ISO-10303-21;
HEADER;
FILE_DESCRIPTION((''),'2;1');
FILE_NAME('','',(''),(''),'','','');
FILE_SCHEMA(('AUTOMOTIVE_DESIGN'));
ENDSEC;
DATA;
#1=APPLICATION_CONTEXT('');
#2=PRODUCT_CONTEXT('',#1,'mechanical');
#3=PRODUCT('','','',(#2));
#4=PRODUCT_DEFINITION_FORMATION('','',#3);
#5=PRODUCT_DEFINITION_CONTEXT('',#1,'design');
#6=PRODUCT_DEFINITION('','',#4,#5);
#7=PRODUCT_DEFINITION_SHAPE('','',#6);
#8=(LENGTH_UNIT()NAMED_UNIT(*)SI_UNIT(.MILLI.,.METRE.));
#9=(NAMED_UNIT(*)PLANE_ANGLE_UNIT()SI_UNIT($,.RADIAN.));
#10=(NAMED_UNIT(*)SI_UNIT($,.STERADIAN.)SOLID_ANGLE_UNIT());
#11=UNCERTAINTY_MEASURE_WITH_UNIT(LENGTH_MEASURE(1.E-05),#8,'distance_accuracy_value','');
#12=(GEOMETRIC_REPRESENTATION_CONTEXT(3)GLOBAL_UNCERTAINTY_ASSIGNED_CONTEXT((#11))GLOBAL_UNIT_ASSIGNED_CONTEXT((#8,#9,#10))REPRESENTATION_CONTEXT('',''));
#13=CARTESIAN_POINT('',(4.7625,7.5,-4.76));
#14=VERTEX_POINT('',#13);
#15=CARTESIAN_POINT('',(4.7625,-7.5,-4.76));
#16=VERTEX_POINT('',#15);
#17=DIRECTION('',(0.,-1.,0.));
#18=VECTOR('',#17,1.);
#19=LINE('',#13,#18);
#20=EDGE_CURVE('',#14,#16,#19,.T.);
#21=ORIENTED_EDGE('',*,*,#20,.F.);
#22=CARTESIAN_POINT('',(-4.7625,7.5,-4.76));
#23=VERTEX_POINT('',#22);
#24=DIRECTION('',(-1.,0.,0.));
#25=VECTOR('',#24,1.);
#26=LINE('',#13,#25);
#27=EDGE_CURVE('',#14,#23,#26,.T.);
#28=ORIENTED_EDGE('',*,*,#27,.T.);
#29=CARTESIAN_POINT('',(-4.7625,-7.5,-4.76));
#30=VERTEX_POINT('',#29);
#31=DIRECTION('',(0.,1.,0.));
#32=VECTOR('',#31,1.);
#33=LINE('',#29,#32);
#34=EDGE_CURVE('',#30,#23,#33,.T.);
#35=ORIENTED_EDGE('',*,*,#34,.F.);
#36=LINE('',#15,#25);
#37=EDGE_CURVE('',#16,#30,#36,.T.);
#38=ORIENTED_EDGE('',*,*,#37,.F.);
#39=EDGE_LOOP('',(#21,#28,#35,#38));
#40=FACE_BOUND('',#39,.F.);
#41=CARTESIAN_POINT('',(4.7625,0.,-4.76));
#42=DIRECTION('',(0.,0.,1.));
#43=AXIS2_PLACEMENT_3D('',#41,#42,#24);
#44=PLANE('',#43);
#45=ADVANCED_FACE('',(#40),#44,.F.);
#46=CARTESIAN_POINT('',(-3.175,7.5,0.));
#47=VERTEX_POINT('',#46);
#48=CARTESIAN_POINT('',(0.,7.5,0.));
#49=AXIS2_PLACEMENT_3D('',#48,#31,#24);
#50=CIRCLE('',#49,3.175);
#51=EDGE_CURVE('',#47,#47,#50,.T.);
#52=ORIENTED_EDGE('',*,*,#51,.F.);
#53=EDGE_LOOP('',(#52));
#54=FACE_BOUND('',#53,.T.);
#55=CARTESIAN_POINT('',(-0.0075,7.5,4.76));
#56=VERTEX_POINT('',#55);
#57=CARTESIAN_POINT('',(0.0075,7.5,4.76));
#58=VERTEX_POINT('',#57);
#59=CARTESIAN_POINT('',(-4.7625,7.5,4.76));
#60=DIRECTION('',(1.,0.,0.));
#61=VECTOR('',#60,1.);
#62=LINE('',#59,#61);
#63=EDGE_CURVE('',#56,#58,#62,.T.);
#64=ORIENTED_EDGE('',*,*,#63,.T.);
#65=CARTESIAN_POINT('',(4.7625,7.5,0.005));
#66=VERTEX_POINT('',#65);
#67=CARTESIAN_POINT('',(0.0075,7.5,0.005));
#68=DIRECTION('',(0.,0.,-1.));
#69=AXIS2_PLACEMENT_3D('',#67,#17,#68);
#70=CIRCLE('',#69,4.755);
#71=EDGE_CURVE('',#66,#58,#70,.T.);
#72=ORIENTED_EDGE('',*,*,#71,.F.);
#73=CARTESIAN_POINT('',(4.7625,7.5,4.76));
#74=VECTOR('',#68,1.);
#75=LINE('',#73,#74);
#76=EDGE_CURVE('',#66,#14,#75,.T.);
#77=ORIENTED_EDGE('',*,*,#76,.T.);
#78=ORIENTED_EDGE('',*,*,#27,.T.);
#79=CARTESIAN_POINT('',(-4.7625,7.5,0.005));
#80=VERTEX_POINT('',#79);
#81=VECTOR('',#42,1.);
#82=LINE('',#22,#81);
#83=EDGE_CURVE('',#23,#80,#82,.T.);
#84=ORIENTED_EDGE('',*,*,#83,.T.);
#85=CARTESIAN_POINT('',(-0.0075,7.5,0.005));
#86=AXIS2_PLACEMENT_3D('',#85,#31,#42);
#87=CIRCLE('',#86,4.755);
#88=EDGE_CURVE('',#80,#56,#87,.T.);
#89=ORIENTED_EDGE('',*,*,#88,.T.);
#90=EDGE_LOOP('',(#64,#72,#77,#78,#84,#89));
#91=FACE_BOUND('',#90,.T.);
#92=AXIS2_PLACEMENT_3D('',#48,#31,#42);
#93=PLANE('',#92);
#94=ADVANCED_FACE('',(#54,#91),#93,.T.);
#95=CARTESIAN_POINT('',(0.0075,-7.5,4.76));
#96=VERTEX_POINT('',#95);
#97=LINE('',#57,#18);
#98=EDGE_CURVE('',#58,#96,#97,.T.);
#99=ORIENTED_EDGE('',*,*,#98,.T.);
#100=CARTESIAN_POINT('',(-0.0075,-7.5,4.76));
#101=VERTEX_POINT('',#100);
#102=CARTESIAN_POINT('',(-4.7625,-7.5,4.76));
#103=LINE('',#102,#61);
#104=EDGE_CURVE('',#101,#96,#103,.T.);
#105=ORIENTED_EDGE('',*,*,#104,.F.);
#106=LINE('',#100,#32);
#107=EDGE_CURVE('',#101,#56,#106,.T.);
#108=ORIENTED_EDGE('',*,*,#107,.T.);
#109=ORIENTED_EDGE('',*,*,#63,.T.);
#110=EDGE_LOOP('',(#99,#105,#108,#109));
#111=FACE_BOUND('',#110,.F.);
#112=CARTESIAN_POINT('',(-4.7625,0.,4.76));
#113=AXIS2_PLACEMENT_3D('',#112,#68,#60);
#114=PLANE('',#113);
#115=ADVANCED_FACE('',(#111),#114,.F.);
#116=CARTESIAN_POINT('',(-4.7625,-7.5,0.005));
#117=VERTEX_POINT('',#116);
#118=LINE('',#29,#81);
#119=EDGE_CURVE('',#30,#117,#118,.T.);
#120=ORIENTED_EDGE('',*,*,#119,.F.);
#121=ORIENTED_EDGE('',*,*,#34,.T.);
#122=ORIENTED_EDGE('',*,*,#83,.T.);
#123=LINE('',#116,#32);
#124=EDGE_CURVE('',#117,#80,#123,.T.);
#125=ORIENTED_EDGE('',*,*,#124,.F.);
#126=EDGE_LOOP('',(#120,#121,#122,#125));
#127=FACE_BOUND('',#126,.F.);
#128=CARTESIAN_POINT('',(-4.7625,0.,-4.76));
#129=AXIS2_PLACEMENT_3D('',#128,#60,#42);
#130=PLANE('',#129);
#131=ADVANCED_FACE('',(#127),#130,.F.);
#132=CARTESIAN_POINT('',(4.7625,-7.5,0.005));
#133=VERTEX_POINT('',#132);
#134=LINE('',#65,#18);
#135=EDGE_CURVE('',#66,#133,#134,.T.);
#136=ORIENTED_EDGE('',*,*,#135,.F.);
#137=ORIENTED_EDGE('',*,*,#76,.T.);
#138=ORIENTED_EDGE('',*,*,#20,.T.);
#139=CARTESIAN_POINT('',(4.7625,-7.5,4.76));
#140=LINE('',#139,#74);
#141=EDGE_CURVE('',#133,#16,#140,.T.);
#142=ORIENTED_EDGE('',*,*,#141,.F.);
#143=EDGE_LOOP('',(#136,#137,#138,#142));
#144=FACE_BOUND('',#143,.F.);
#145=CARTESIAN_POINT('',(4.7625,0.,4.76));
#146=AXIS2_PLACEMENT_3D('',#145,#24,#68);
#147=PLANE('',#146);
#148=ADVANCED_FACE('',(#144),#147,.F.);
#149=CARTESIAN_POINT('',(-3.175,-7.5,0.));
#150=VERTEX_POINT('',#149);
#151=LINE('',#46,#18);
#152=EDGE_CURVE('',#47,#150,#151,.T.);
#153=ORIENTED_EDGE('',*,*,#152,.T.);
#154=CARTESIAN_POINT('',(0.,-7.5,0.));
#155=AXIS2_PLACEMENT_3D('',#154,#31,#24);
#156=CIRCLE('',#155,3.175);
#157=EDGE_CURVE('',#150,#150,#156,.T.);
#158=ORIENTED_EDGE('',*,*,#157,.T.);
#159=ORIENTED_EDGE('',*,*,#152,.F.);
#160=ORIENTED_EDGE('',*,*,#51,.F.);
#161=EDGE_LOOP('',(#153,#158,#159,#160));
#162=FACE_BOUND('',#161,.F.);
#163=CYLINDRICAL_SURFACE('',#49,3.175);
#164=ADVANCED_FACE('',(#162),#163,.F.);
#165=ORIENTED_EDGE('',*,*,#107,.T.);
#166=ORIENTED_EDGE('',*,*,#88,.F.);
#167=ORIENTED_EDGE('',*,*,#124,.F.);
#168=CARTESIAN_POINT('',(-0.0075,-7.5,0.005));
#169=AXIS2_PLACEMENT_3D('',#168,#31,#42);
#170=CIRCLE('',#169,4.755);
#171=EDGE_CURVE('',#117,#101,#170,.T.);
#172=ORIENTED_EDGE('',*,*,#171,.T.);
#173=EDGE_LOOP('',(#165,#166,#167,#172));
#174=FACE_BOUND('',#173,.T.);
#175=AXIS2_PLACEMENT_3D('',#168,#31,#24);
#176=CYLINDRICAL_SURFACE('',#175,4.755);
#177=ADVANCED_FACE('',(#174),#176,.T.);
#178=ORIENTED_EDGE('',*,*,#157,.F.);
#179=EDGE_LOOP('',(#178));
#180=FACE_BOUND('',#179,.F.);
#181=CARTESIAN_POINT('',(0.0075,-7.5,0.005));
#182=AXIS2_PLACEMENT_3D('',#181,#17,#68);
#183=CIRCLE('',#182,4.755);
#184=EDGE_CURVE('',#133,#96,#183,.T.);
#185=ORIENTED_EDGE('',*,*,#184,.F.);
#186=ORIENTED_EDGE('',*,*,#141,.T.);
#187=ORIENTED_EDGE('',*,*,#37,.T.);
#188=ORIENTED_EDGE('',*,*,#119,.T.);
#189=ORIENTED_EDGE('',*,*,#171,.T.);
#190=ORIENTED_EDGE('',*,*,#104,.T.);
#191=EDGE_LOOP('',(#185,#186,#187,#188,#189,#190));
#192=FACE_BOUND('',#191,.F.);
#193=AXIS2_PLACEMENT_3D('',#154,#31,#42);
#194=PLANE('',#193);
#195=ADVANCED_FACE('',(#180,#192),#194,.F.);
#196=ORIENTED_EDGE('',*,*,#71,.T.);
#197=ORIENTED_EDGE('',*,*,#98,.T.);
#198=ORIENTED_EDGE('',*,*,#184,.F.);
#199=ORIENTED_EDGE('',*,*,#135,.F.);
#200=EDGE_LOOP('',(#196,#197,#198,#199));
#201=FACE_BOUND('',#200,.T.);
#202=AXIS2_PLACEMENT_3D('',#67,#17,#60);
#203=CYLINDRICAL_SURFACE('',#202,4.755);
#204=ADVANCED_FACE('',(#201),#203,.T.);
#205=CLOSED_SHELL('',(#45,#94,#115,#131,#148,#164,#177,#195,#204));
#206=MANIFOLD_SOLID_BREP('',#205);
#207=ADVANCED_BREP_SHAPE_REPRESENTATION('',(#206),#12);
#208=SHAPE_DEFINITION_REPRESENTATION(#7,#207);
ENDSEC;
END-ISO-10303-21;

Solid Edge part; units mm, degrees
sketch "Sketch1" plane through (0, 0, 0) normal (0, 1, 0) x (-1, 0, 0)
  line L0 (-4.7625, -4.76) -> (4.7625, -4.76)
  line L1 (4.7625, -4.76) -> (4.7625, 4.76)
  line L2 (4.7625, 4.76) -> (-4.7625, 4.76)
  line L3 (-4.7625, 4.76) -> (-4.7625, -4.76)
extrude "Protrusion1" add sketch "Sketch1" along normal mid plane 15
sketch "Sketch2" plane through (0, 7.5, 0) normal (0, 1, 0) x (-1, 0, 0)
  circle A0 centre (0, 0) radius 3.175
extrude "Cutout1" cut sketch "Sketch2" against normal up to surface (15 mm away)
fillet "Round_1" radius 4.755 2 edges at (-4.7625, 0, 4.76) (4.7625, 0, 4.76)
